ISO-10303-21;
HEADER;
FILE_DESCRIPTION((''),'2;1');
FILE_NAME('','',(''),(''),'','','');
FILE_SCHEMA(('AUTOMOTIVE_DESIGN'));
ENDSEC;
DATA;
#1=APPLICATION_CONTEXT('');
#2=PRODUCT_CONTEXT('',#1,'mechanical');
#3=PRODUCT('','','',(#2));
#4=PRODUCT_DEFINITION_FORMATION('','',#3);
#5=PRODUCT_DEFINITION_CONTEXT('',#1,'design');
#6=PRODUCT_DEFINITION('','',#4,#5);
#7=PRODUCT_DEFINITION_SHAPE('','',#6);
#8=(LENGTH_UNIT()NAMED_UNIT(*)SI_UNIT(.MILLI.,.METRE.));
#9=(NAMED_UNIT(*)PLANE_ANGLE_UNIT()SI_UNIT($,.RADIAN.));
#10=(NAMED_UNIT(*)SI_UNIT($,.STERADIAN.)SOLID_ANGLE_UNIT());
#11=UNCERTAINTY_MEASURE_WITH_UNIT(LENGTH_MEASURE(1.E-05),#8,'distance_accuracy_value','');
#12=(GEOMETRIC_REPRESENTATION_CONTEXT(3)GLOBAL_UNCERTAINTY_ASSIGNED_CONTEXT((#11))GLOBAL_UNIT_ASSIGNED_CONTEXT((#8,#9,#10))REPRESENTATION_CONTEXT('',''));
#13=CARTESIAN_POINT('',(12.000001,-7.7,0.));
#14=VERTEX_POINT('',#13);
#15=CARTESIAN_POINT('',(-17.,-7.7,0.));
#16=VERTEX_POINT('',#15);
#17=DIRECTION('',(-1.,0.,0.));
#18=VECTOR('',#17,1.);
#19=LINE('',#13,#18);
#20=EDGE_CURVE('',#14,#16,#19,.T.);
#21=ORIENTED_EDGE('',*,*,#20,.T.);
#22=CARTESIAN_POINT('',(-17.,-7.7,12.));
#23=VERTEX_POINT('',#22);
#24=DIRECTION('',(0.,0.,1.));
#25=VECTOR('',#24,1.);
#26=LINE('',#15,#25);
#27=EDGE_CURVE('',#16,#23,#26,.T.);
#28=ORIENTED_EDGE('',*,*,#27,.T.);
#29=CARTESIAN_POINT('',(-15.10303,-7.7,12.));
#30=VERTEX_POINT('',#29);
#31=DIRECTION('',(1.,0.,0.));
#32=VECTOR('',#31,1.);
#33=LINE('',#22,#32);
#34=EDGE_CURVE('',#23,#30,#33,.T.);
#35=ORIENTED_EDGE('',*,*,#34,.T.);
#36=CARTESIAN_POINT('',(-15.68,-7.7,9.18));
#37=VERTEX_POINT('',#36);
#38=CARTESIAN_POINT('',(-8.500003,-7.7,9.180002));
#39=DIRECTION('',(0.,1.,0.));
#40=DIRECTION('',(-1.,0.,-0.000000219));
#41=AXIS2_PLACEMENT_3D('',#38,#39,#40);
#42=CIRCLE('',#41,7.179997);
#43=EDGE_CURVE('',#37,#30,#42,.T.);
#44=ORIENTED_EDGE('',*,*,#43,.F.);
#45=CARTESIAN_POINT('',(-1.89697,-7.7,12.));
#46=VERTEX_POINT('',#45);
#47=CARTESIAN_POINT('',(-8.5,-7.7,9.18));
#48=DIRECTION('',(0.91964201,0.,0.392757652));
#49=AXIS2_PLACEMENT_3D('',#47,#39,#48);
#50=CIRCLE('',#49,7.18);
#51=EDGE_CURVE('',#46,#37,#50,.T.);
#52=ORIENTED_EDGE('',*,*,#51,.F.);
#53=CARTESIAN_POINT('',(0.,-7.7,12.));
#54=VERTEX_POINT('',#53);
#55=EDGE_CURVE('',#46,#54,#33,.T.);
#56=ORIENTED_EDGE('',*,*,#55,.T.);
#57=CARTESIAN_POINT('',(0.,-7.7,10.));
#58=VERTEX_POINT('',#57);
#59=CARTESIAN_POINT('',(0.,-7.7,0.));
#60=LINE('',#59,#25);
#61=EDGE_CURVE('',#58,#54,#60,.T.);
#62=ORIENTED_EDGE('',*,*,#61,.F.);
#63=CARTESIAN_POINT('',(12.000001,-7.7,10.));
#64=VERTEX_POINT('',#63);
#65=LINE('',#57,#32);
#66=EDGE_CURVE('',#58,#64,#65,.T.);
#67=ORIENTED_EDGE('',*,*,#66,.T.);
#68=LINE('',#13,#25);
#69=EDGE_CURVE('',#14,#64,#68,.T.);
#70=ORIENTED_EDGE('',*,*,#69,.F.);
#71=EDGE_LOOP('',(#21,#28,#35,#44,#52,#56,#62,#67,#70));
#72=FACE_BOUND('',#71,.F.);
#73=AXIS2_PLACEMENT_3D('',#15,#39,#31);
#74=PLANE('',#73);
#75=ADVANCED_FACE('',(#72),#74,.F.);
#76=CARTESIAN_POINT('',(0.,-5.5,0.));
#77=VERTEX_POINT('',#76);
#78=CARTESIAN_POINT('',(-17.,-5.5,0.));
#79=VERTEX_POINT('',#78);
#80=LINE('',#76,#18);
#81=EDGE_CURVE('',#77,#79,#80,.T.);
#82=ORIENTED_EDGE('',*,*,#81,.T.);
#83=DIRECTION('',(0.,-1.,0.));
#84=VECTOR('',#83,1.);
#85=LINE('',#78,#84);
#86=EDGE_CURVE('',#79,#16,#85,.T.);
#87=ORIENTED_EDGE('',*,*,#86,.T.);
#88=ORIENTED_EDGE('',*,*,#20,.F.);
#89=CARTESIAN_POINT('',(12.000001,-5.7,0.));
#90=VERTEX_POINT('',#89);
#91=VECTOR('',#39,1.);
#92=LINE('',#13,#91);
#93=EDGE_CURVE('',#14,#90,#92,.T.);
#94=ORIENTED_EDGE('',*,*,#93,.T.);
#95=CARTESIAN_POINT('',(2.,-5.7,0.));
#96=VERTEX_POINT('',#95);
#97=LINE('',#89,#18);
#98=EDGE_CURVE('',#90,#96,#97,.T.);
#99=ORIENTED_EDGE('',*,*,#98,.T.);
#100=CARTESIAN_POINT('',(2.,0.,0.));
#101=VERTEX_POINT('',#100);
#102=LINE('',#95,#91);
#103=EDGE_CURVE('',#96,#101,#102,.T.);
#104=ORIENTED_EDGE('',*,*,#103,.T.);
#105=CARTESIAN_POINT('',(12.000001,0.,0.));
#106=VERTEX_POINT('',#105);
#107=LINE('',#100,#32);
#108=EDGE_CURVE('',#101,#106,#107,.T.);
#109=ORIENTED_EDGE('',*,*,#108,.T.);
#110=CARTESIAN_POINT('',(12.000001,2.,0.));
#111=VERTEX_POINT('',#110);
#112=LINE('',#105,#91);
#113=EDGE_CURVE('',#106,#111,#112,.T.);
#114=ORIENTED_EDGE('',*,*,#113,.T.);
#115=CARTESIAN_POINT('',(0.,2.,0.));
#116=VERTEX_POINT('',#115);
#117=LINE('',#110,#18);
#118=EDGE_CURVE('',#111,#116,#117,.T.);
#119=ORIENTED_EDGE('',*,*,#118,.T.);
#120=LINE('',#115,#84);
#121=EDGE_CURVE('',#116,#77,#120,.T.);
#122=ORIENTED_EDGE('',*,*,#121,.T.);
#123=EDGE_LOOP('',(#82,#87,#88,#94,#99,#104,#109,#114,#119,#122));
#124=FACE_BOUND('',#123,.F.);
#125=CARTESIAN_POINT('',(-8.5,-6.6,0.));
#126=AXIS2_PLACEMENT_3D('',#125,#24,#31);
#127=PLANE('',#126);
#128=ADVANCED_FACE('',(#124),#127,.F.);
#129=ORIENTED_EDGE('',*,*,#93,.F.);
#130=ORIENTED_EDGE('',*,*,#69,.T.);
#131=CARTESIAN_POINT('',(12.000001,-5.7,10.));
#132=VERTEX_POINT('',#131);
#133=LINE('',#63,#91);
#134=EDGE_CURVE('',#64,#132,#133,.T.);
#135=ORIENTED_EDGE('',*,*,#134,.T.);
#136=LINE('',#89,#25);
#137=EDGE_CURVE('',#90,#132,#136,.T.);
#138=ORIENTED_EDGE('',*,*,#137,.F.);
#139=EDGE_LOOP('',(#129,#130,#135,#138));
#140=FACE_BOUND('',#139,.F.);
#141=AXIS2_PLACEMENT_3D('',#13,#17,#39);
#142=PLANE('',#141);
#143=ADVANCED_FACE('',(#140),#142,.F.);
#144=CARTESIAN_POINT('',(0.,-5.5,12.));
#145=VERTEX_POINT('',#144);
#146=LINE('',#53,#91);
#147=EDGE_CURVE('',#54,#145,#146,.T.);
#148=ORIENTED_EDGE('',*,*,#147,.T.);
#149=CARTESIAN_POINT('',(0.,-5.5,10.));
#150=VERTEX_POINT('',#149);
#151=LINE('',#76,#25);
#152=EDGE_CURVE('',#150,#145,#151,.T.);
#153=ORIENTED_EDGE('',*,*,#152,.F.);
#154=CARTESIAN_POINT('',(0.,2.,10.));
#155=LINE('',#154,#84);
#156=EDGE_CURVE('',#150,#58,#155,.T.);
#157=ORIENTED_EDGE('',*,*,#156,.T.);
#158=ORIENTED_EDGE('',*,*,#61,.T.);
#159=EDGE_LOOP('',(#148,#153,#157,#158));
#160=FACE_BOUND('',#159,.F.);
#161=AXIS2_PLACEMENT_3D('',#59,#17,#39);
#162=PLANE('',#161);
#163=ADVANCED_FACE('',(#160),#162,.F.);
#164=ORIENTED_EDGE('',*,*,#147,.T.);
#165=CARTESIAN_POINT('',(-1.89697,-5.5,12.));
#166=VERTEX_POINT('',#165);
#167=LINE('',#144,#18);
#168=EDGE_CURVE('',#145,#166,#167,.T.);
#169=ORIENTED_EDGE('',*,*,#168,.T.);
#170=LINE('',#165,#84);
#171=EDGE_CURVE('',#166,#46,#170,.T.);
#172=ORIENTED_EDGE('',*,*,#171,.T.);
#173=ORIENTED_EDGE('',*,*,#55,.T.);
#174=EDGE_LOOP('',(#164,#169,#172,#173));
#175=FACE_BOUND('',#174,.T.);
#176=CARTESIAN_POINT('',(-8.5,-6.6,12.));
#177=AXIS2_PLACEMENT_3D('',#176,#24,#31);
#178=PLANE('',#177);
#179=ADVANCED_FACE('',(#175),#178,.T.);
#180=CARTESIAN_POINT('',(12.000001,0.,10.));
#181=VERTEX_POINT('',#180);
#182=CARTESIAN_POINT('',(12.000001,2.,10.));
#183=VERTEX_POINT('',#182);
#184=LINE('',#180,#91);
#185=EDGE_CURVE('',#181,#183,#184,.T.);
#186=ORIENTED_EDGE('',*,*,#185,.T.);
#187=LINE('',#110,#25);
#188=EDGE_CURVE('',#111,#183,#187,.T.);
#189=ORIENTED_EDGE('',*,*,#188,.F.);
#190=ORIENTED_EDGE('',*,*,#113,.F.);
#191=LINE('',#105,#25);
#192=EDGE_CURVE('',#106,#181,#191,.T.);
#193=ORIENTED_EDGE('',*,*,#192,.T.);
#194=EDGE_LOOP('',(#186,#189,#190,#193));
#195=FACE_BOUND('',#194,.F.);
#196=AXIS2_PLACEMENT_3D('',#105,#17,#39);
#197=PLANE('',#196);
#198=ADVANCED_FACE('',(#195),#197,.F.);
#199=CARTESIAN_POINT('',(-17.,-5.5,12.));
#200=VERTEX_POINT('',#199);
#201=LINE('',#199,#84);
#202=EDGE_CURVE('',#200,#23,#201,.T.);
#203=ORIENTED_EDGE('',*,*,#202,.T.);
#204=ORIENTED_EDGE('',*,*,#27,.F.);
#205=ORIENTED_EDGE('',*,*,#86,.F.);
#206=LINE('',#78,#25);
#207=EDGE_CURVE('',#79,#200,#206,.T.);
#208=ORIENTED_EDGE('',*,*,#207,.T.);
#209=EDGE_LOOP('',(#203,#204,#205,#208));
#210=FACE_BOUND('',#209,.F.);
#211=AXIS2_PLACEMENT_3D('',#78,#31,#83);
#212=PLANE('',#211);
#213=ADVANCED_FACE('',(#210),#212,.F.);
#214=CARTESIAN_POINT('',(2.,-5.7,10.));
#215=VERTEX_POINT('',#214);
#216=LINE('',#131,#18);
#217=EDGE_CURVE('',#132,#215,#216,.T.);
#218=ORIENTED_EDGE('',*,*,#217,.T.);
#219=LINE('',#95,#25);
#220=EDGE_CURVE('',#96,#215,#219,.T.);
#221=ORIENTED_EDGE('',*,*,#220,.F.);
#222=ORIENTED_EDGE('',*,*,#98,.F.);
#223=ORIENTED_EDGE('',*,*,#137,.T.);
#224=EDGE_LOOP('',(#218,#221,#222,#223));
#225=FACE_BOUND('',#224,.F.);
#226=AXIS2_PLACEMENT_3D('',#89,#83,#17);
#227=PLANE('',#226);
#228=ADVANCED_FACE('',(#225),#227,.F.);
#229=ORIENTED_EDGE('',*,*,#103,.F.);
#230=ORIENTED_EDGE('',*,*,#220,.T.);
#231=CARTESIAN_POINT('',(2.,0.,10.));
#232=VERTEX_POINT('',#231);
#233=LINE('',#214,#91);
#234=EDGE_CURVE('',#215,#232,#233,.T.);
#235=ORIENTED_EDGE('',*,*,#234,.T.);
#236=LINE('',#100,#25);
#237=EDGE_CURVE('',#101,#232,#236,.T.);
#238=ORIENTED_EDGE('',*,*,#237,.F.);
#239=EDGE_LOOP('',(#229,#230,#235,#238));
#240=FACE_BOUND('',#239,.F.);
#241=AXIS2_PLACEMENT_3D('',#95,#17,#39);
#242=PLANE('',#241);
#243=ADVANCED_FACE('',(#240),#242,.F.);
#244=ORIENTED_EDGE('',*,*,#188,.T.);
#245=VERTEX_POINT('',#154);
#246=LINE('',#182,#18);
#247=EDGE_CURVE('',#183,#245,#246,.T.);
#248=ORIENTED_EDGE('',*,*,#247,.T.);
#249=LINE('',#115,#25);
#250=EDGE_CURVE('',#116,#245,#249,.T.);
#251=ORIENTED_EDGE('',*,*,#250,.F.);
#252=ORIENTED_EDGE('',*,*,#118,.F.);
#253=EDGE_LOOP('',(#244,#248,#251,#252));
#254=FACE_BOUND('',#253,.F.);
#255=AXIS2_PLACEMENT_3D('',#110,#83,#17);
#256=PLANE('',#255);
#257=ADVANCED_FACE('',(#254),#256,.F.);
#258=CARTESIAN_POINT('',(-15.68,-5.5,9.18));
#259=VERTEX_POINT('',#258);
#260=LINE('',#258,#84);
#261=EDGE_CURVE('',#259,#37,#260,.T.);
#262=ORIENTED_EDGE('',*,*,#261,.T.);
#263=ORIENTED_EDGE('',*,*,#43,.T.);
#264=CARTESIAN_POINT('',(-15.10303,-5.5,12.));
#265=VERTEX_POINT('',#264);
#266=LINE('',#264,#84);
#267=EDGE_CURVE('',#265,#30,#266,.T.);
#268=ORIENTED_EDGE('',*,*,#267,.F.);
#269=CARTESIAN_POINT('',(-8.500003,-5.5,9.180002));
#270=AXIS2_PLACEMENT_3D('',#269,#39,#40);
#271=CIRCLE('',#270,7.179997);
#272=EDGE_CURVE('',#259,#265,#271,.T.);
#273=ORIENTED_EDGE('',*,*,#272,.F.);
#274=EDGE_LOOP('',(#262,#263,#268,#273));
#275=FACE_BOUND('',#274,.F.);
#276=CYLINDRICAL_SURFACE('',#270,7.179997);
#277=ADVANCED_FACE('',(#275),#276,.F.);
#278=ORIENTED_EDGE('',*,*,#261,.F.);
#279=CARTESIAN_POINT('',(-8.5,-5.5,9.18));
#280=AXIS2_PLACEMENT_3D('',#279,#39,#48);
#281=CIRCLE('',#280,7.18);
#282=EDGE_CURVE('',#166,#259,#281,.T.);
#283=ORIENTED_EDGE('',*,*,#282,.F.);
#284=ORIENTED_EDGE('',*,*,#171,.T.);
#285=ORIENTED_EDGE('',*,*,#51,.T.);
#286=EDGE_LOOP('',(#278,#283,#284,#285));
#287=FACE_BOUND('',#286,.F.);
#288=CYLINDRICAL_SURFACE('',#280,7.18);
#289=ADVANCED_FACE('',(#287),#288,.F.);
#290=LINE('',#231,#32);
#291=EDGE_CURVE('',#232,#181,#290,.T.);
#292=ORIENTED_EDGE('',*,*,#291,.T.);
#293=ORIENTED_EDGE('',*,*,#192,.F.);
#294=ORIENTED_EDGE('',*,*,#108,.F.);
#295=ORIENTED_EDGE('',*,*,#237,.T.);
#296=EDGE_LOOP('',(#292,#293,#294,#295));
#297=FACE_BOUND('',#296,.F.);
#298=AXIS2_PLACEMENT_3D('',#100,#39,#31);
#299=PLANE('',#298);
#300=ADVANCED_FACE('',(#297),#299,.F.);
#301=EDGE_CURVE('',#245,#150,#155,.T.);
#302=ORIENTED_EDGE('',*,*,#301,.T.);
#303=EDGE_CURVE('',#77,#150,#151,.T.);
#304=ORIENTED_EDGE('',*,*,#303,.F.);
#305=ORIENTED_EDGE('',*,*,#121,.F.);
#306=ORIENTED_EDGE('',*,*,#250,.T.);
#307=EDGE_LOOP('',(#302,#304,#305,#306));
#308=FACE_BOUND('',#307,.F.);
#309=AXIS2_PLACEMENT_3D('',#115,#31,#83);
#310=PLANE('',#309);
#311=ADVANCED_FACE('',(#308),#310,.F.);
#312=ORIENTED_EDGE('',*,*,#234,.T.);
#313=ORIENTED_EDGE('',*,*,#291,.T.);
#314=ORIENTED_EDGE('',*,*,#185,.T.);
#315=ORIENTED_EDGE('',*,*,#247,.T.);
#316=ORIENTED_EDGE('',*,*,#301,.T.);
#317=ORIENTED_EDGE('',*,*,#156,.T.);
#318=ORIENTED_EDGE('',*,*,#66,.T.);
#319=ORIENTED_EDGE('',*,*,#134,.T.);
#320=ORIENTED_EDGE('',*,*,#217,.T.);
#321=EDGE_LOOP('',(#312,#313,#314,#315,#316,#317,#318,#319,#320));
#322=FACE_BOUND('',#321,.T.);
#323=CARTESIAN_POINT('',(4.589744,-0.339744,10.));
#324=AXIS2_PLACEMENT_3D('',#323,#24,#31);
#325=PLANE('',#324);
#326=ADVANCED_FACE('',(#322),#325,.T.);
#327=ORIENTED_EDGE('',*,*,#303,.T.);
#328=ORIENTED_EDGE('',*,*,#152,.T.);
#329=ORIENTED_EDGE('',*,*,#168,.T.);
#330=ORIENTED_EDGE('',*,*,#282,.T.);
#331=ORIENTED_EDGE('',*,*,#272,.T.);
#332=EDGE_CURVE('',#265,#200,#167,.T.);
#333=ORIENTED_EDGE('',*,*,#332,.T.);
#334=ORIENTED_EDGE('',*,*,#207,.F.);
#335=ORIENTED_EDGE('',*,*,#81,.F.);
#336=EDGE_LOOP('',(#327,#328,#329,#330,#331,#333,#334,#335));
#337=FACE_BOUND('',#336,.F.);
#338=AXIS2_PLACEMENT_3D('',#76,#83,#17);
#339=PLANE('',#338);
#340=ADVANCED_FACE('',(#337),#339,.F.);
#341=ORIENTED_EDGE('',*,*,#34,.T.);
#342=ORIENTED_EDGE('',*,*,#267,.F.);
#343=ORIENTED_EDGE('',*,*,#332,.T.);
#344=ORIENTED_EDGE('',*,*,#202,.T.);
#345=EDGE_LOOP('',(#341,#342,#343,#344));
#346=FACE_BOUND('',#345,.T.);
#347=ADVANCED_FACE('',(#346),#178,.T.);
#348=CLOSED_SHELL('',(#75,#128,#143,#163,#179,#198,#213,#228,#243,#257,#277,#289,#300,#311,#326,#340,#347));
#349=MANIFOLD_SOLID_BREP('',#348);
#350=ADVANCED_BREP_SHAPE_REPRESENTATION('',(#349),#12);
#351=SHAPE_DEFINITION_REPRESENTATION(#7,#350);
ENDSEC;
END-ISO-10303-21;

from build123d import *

# Parameters (mm, degrees)
F1_DEPTH = 10
F2_DEPTH = 12
F4_DEPTH = 25


with BuildPart() as f1:
    # F0 (on Top) → F1 (new body)
    with BuildSketch(Plane.XY):
        Polygon((2, -5.5), (2, 0), (10.000001, 0), (12.000001, 0), (12.000001, 2), (10.000001, 2), (0, 2), (0, 0), (0, -5.5), align=None)
        Polygon((2, -5.7), (2, -5.5), (0, -5.5), (0, -5.7), (0, -7.7), (10.000001, -7.7), (12.000001, -7.7), (12.000001, -5.7), (10.000001, -5.7), align=None)
    extrude(amount=F1_DEPTH)

    # F0 (on Top) → F2 (join)
    with BuildSketch(Plane.XY):
        Polygon((0, -5.7), (0, -5.5), (-7.940744, -5.5), (-13.940744, -5.5), (-16, -5.5), (-17, -5.5), (-17, -7.7), (-16, -7.7), (-15, -7.7), (-10, -7.7), (-7.940744, -7.7), (0, -7.7), align=None)
    extrude(amount=F2_DEPTH)

    # F3 (on face) → F4 (cut)
    with BuildSketch(Plane(origin=(0, -5.5, 0), x_dir=(-1, 0, 0), z_dir=(0, 1, 0))):
        with BuildLine():
            ThreePointArc((1.89697, 12), (7.060791, 2.145721), (15.68, 9.18))
            ThreePointArc((15.68, 9.18), (15.534279, 10.619209), (15.10303, 12))
            Line((15.10303, 12), (1.89697, 12))
        make_face()
    extrude(amount=-F4_DEPTH, mode=Mode.SUBTRACT)


solid = f1.part
